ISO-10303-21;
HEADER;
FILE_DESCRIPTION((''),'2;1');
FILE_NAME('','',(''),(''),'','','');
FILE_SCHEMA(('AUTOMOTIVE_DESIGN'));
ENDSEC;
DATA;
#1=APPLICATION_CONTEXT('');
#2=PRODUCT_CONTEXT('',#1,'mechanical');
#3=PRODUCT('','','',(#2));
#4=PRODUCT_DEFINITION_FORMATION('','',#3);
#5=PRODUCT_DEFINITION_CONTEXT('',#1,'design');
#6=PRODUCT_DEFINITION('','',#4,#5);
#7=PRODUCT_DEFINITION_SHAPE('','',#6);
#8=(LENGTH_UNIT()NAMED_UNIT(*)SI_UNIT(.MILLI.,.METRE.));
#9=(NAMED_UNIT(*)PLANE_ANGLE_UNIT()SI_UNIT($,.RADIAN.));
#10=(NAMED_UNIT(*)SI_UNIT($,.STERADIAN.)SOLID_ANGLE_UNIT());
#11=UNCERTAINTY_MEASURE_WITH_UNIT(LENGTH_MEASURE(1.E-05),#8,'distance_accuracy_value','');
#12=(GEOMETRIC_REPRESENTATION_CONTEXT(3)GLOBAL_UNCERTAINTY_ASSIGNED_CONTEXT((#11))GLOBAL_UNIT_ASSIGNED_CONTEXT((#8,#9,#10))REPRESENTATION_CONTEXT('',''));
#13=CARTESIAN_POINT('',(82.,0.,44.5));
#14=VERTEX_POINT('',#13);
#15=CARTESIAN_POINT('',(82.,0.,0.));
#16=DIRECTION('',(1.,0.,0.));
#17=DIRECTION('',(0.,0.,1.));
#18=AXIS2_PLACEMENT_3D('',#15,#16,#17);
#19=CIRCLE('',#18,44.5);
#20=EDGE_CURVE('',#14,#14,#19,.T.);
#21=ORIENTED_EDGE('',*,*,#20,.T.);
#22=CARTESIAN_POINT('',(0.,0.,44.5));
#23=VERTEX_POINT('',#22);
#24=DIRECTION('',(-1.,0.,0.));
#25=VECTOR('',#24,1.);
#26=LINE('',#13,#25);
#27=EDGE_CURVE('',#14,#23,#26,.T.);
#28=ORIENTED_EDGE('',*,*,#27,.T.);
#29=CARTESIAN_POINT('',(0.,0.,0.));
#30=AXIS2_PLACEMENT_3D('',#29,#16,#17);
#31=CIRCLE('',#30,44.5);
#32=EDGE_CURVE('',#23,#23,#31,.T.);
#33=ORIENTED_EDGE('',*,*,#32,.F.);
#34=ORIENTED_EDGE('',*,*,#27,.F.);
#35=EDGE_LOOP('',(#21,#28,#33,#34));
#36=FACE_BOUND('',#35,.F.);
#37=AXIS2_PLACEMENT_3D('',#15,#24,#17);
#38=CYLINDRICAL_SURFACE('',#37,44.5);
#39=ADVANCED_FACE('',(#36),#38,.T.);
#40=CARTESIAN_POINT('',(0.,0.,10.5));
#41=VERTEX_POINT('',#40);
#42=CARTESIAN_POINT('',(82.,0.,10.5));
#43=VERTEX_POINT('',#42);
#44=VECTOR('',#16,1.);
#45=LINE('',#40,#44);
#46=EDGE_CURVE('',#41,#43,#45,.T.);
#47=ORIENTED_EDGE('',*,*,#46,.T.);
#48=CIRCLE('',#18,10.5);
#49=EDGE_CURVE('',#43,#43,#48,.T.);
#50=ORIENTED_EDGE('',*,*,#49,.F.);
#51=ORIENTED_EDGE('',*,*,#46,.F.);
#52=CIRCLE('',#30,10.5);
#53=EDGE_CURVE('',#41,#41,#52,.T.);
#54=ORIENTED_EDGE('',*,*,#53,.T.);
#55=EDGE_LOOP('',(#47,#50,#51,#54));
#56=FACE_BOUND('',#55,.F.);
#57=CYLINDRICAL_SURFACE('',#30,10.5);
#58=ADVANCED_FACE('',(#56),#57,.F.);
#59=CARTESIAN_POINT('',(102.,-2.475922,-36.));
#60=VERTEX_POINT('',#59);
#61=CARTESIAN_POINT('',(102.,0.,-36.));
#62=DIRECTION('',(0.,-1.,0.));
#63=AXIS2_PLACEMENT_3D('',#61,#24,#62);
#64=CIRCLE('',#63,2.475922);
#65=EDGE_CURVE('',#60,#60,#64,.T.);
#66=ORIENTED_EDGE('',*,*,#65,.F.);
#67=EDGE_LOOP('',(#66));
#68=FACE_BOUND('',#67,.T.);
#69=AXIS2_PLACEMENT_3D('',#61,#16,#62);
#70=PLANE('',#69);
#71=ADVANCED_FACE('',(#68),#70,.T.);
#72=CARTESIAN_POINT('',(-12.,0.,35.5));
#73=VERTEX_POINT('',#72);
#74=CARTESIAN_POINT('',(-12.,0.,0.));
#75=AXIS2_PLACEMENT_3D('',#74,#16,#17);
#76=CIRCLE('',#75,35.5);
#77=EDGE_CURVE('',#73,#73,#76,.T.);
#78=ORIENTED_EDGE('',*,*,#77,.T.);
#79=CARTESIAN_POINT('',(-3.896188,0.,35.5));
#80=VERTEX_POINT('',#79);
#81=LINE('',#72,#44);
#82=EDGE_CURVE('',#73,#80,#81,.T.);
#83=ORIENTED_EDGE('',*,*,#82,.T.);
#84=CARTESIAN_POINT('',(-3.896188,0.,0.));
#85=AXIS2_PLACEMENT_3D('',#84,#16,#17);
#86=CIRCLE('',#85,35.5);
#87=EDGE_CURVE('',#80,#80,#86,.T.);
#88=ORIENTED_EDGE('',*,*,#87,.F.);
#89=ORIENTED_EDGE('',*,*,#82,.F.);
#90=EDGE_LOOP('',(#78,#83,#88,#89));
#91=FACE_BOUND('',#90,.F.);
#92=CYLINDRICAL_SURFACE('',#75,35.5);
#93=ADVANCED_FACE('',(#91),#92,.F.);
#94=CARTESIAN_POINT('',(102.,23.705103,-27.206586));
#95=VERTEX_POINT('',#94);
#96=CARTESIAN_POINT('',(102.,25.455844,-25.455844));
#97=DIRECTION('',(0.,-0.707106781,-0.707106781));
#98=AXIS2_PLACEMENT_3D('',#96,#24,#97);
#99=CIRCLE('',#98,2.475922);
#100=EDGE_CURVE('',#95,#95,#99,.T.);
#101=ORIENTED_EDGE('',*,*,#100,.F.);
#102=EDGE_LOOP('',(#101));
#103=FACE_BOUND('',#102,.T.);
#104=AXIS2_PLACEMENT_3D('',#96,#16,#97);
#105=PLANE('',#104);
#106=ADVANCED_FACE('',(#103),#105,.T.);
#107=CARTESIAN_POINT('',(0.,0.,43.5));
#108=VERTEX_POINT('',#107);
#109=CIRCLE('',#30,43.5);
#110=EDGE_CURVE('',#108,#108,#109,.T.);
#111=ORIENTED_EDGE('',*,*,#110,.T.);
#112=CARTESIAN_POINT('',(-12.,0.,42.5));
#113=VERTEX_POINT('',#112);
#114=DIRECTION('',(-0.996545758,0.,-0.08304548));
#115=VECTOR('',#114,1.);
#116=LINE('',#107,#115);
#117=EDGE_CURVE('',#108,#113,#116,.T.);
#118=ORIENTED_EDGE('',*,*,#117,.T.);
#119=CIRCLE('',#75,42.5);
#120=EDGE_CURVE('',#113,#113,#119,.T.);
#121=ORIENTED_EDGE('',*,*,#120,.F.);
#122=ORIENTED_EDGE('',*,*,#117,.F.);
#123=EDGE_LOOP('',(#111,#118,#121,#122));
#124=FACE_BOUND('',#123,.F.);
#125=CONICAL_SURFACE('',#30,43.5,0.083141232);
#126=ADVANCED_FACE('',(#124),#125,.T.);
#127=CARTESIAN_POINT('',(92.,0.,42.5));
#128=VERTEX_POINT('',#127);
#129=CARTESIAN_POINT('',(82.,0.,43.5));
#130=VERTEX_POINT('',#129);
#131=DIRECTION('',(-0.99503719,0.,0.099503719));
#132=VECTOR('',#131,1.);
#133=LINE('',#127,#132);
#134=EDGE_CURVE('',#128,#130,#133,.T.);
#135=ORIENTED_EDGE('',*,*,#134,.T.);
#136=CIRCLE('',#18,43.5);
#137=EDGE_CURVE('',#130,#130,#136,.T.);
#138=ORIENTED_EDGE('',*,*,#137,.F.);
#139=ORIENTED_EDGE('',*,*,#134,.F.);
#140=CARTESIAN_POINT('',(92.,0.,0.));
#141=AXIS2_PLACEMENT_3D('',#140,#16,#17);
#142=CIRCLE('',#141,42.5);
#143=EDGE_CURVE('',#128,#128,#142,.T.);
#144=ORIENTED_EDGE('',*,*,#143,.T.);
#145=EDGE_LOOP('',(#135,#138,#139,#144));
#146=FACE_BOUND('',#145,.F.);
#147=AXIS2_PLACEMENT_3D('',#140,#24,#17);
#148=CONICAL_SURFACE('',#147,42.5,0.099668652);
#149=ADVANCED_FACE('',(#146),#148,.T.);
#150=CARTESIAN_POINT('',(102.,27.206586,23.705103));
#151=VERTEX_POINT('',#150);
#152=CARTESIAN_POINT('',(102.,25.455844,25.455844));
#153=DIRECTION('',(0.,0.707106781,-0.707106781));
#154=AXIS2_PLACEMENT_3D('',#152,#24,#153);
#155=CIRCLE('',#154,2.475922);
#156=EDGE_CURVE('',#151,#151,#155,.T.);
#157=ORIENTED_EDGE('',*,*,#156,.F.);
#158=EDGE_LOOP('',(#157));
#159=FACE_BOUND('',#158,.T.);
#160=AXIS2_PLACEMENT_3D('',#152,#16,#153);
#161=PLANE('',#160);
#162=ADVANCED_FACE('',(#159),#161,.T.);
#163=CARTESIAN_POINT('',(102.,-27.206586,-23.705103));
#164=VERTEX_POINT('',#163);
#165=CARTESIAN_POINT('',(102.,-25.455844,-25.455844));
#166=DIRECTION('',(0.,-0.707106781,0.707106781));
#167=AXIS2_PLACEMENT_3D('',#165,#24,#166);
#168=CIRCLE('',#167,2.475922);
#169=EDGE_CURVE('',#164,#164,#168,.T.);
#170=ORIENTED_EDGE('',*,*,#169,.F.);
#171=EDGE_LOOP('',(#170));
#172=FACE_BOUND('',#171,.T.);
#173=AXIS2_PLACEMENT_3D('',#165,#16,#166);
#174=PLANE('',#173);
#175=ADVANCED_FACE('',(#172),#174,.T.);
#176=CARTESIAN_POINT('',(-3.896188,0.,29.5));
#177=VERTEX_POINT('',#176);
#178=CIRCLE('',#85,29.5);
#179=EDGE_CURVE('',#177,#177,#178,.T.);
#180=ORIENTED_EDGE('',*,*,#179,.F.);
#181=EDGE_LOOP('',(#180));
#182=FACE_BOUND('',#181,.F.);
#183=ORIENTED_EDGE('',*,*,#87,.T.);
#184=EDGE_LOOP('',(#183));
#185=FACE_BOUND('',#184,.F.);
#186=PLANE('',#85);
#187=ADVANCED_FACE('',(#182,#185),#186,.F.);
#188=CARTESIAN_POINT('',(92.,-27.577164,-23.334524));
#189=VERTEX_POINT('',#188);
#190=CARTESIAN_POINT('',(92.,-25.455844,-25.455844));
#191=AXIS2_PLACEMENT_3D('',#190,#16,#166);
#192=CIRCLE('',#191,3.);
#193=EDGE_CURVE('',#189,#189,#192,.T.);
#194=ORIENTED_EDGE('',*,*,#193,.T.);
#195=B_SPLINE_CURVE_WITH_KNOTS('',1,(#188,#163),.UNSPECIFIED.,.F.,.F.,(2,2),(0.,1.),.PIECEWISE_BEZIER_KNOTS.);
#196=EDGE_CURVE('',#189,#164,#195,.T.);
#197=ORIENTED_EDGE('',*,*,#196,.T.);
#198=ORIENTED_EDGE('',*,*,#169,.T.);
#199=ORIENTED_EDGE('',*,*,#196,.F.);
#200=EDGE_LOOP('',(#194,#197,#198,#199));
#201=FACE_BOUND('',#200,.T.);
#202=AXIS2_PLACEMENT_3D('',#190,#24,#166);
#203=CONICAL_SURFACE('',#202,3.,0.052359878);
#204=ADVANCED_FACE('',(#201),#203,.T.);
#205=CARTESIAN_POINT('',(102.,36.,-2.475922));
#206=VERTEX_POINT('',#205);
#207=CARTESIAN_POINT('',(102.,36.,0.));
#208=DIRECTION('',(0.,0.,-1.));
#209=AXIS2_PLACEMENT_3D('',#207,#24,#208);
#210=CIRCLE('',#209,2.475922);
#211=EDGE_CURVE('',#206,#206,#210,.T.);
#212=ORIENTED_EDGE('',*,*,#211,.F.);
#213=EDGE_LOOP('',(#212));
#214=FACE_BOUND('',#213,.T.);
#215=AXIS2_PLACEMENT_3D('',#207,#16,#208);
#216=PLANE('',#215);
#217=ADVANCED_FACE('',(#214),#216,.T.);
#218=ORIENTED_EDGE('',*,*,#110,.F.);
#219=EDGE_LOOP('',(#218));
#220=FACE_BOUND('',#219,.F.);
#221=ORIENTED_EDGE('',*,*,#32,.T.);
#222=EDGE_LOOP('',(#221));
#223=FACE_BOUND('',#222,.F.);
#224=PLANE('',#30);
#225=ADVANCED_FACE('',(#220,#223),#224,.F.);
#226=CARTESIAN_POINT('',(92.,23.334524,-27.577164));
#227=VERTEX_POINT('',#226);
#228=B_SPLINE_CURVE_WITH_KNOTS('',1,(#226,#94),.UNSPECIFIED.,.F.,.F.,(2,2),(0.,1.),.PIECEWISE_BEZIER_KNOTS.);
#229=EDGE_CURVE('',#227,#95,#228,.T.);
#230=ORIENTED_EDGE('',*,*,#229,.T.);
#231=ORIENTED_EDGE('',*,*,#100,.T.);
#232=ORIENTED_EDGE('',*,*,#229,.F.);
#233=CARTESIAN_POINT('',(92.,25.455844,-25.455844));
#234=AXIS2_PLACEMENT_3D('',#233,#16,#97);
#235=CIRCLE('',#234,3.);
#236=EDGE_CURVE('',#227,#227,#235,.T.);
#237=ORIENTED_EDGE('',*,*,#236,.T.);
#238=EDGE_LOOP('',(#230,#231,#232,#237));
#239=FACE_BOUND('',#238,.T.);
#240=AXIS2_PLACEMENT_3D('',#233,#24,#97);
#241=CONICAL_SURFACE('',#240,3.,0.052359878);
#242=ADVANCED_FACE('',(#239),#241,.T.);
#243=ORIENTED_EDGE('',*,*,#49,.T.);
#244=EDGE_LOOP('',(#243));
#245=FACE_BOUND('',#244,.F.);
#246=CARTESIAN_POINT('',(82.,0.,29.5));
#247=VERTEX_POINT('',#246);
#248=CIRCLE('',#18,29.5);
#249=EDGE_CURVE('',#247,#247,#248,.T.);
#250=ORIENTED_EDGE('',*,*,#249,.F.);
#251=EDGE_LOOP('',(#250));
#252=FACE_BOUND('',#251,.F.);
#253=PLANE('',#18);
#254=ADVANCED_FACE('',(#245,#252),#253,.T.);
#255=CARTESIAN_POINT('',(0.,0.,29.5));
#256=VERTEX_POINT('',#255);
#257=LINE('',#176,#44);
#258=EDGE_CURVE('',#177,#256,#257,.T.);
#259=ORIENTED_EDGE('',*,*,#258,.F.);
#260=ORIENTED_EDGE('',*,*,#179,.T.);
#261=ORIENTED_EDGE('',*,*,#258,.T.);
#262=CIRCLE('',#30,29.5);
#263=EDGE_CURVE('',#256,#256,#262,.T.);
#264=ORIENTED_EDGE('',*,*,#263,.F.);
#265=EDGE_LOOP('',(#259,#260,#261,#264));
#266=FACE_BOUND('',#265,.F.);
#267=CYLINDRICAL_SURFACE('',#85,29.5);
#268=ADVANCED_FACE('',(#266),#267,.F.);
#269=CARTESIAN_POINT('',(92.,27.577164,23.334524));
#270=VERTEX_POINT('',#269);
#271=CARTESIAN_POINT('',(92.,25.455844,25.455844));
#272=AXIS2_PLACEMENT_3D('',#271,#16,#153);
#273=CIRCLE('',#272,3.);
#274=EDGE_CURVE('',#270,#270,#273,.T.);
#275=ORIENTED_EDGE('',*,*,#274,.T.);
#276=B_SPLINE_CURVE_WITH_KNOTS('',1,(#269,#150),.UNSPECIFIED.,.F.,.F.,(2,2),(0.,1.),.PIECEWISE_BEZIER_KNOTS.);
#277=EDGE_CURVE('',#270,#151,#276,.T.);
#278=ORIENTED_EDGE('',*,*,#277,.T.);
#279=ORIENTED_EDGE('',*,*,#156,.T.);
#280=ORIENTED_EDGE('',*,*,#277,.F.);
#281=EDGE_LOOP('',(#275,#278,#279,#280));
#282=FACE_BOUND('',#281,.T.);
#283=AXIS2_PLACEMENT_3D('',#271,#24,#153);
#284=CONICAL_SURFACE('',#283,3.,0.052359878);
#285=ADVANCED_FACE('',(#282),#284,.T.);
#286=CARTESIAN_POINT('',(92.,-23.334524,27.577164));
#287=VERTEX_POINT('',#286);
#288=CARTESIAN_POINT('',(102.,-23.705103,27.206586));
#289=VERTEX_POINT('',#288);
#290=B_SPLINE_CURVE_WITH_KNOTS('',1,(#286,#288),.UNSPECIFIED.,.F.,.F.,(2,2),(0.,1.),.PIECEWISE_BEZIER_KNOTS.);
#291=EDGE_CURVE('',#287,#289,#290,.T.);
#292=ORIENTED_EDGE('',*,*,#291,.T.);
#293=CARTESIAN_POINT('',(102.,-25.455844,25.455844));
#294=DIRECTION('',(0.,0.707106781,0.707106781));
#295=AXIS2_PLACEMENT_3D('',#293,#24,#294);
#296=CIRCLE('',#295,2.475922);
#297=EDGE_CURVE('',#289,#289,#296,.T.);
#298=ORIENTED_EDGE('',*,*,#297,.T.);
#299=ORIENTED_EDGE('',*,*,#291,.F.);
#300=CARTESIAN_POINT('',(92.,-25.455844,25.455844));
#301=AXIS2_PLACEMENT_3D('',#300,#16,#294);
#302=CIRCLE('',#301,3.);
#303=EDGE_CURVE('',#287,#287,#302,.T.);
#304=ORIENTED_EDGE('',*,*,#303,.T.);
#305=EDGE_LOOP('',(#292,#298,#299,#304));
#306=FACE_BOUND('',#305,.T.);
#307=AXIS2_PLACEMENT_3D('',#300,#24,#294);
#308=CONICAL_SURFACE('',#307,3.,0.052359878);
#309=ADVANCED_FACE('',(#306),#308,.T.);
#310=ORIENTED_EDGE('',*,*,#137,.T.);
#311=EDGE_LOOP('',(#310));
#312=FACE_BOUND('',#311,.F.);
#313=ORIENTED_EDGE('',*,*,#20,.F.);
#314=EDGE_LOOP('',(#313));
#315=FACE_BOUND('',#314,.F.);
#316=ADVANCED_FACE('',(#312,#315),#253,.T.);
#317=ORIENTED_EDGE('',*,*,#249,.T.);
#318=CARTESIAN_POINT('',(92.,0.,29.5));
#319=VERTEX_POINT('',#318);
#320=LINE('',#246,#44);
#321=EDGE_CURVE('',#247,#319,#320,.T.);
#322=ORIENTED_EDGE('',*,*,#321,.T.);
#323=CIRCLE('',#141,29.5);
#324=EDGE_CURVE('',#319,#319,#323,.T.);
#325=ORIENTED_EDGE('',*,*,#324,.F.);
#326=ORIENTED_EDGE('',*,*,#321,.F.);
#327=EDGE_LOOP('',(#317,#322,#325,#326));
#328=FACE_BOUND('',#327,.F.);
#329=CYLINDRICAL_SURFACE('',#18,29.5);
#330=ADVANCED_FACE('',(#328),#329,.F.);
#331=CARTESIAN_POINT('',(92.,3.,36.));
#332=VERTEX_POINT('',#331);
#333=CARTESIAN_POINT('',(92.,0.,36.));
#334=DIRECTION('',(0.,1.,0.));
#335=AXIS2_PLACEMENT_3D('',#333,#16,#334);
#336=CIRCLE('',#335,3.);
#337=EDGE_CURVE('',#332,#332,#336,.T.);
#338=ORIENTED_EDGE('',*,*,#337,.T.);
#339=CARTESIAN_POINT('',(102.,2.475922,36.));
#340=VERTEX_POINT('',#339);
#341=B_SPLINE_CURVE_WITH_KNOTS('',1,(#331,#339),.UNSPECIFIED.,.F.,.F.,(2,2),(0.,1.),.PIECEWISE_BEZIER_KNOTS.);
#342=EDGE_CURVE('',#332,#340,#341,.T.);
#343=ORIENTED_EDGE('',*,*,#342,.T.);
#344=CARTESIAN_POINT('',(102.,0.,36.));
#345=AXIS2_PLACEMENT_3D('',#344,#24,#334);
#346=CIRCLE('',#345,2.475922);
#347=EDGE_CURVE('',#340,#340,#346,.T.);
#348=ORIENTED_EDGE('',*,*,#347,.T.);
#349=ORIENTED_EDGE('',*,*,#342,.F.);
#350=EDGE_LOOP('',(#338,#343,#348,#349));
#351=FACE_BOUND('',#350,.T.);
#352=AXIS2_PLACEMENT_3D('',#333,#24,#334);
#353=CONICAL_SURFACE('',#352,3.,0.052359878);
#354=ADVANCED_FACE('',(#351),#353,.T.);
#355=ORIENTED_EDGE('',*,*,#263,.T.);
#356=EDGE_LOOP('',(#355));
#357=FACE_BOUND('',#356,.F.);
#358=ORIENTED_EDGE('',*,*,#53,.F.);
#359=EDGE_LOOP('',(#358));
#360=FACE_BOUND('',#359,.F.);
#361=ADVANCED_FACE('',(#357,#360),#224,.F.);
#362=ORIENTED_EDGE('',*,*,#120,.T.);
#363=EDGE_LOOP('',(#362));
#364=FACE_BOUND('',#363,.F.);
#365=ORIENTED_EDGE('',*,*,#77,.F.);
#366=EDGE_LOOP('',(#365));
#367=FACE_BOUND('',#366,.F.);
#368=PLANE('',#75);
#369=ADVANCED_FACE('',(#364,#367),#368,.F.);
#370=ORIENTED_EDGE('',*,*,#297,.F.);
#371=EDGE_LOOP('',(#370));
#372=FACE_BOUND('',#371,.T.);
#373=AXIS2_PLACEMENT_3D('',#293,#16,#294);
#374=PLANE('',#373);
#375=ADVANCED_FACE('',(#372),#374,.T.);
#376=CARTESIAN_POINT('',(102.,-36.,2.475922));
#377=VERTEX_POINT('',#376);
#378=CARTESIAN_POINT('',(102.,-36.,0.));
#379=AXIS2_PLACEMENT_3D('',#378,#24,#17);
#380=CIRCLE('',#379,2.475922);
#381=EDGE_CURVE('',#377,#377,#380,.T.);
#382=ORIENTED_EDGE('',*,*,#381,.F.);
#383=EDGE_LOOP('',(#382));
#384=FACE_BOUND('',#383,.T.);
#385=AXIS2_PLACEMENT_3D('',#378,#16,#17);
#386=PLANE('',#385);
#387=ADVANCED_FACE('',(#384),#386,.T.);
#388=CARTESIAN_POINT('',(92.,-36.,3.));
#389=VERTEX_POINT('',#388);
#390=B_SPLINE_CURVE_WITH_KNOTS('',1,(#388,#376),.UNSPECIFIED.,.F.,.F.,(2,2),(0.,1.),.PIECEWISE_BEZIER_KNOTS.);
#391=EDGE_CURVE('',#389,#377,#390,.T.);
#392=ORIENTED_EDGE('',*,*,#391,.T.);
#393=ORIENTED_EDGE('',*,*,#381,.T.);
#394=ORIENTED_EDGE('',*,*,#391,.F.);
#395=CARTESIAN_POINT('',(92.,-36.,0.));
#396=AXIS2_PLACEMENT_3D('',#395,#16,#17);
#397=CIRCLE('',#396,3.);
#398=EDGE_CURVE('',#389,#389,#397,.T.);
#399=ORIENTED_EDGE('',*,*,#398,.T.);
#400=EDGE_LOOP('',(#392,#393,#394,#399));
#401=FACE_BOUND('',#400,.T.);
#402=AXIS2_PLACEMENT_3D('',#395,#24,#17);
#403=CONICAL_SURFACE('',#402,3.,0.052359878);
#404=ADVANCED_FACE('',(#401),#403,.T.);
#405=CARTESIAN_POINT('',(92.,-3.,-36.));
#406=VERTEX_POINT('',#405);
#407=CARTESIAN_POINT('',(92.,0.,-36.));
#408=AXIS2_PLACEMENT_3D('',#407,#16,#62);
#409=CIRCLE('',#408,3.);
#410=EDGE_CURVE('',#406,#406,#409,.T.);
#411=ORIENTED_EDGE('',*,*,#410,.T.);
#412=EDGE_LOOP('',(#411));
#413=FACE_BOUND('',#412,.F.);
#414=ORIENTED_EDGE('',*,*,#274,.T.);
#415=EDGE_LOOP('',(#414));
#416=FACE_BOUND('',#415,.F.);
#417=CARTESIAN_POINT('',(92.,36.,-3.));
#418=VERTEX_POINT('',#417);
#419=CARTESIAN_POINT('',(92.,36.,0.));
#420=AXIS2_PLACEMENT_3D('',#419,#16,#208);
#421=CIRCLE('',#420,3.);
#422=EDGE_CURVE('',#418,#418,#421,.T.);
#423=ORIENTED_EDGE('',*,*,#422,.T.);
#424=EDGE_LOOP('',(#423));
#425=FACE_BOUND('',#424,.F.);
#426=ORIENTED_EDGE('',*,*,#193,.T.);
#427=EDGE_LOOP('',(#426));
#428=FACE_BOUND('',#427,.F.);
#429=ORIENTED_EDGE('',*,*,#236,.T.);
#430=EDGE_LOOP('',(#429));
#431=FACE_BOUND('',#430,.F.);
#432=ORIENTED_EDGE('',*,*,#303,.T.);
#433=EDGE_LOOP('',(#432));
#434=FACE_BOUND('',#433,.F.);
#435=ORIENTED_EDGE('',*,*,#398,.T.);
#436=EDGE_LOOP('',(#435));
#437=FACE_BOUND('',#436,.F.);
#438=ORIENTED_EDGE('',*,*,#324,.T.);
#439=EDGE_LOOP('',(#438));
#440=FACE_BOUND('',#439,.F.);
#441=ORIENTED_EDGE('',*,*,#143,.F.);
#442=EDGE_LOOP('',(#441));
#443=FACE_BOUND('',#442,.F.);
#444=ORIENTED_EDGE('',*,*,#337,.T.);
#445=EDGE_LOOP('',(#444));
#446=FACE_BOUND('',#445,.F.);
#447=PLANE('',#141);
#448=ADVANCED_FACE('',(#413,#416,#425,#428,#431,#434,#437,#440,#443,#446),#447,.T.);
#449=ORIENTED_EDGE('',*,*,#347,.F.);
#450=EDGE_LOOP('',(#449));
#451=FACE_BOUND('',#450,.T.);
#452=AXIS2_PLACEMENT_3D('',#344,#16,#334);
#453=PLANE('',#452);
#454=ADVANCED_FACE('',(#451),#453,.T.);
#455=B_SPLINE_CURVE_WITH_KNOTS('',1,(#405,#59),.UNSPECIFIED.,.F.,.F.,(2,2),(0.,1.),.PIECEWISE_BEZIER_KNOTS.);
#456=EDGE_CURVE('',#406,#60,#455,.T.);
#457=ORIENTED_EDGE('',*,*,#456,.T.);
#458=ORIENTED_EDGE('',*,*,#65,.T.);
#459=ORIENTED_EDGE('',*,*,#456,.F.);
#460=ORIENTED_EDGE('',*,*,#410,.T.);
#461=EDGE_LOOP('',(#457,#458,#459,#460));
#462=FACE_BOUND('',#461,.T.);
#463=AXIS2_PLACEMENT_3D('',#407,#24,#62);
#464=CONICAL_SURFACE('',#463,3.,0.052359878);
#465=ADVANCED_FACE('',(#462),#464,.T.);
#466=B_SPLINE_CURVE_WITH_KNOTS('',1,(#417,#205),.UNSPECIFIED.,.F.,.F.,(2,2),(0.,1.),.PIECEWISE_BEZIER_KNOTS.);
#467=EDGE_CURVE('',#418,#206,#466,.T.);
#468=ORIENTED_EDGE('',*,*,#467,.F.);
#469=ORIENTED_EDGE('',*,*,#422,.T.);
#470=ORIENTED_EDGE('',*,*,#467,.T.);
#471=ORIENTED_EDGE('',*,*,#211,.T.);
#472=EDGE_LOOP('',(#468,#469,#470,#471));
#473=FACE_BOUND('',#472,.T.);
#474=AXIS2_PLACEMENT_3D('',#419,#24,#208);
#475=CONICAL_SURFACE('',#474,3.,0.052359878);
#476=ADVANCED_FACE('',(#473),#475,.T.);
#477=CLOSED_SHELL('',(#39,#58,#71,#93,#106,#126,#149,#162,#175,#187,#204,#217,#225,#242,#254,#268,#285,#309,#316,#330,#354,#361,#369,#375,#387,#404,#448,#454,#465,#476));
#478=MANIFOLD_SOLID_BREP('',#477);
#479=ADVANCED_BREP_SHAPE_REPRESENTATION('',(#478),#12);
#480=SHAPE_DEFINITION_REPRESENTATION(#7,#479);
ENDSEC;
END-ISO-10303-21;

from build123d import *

# Parameters (mm, degrees)
ESBO_O2_R         = 3
EXTRUS_O1_DEPTH   = 10
EXTRUS_O1_TAPER   = 3
CIRPATTERN1_COUNT = 8


with BuildPart() as part:
    # Esboço1 → Revolução1 (revolve)
    with BuildSketch(Plane.XY):
        Polygon((0, 10.5), (82, 10.5), (82, 29.5), (92, 29.5), (92, 42.5), (82, 43.5), (82, 44.5), (0, 44.5), (0, 43.5), (-12, 42.5), (-12, 35.5), (-3.89618766, 35.5), (-3.89618766, 29.5), (0, 29.5), align=None)
    revolve(axis=Axis((0, 0, 0), (1, 0, 0)))

    # Esboço2 → Extrusão1 (add)
    with BuildSketch(Plane(origin=(92, 0, 0), x_dir=(0, 0, -1), z_dir=(1, 0, 0))):
        with Locations((0, 36)):
            Circle(ESBO_O2_R)
    extrus_o1 = extrude(amount=EXTRUS_O1_DEPTH, taper=EXTRUS_O1_TAPER)

    # CirPattern1: Extrusão1 ×8 about axis
    cirpattern1_axis = Axis((0, 0, 0), (1, 0, 0))
    for i in range(1, CIRPATTERN1_COUNT):
        add(extrus_o1.rotate(cirpattern1_axis, i * 360 / CIRPATTERN1_COUNT))


solid = part.part
